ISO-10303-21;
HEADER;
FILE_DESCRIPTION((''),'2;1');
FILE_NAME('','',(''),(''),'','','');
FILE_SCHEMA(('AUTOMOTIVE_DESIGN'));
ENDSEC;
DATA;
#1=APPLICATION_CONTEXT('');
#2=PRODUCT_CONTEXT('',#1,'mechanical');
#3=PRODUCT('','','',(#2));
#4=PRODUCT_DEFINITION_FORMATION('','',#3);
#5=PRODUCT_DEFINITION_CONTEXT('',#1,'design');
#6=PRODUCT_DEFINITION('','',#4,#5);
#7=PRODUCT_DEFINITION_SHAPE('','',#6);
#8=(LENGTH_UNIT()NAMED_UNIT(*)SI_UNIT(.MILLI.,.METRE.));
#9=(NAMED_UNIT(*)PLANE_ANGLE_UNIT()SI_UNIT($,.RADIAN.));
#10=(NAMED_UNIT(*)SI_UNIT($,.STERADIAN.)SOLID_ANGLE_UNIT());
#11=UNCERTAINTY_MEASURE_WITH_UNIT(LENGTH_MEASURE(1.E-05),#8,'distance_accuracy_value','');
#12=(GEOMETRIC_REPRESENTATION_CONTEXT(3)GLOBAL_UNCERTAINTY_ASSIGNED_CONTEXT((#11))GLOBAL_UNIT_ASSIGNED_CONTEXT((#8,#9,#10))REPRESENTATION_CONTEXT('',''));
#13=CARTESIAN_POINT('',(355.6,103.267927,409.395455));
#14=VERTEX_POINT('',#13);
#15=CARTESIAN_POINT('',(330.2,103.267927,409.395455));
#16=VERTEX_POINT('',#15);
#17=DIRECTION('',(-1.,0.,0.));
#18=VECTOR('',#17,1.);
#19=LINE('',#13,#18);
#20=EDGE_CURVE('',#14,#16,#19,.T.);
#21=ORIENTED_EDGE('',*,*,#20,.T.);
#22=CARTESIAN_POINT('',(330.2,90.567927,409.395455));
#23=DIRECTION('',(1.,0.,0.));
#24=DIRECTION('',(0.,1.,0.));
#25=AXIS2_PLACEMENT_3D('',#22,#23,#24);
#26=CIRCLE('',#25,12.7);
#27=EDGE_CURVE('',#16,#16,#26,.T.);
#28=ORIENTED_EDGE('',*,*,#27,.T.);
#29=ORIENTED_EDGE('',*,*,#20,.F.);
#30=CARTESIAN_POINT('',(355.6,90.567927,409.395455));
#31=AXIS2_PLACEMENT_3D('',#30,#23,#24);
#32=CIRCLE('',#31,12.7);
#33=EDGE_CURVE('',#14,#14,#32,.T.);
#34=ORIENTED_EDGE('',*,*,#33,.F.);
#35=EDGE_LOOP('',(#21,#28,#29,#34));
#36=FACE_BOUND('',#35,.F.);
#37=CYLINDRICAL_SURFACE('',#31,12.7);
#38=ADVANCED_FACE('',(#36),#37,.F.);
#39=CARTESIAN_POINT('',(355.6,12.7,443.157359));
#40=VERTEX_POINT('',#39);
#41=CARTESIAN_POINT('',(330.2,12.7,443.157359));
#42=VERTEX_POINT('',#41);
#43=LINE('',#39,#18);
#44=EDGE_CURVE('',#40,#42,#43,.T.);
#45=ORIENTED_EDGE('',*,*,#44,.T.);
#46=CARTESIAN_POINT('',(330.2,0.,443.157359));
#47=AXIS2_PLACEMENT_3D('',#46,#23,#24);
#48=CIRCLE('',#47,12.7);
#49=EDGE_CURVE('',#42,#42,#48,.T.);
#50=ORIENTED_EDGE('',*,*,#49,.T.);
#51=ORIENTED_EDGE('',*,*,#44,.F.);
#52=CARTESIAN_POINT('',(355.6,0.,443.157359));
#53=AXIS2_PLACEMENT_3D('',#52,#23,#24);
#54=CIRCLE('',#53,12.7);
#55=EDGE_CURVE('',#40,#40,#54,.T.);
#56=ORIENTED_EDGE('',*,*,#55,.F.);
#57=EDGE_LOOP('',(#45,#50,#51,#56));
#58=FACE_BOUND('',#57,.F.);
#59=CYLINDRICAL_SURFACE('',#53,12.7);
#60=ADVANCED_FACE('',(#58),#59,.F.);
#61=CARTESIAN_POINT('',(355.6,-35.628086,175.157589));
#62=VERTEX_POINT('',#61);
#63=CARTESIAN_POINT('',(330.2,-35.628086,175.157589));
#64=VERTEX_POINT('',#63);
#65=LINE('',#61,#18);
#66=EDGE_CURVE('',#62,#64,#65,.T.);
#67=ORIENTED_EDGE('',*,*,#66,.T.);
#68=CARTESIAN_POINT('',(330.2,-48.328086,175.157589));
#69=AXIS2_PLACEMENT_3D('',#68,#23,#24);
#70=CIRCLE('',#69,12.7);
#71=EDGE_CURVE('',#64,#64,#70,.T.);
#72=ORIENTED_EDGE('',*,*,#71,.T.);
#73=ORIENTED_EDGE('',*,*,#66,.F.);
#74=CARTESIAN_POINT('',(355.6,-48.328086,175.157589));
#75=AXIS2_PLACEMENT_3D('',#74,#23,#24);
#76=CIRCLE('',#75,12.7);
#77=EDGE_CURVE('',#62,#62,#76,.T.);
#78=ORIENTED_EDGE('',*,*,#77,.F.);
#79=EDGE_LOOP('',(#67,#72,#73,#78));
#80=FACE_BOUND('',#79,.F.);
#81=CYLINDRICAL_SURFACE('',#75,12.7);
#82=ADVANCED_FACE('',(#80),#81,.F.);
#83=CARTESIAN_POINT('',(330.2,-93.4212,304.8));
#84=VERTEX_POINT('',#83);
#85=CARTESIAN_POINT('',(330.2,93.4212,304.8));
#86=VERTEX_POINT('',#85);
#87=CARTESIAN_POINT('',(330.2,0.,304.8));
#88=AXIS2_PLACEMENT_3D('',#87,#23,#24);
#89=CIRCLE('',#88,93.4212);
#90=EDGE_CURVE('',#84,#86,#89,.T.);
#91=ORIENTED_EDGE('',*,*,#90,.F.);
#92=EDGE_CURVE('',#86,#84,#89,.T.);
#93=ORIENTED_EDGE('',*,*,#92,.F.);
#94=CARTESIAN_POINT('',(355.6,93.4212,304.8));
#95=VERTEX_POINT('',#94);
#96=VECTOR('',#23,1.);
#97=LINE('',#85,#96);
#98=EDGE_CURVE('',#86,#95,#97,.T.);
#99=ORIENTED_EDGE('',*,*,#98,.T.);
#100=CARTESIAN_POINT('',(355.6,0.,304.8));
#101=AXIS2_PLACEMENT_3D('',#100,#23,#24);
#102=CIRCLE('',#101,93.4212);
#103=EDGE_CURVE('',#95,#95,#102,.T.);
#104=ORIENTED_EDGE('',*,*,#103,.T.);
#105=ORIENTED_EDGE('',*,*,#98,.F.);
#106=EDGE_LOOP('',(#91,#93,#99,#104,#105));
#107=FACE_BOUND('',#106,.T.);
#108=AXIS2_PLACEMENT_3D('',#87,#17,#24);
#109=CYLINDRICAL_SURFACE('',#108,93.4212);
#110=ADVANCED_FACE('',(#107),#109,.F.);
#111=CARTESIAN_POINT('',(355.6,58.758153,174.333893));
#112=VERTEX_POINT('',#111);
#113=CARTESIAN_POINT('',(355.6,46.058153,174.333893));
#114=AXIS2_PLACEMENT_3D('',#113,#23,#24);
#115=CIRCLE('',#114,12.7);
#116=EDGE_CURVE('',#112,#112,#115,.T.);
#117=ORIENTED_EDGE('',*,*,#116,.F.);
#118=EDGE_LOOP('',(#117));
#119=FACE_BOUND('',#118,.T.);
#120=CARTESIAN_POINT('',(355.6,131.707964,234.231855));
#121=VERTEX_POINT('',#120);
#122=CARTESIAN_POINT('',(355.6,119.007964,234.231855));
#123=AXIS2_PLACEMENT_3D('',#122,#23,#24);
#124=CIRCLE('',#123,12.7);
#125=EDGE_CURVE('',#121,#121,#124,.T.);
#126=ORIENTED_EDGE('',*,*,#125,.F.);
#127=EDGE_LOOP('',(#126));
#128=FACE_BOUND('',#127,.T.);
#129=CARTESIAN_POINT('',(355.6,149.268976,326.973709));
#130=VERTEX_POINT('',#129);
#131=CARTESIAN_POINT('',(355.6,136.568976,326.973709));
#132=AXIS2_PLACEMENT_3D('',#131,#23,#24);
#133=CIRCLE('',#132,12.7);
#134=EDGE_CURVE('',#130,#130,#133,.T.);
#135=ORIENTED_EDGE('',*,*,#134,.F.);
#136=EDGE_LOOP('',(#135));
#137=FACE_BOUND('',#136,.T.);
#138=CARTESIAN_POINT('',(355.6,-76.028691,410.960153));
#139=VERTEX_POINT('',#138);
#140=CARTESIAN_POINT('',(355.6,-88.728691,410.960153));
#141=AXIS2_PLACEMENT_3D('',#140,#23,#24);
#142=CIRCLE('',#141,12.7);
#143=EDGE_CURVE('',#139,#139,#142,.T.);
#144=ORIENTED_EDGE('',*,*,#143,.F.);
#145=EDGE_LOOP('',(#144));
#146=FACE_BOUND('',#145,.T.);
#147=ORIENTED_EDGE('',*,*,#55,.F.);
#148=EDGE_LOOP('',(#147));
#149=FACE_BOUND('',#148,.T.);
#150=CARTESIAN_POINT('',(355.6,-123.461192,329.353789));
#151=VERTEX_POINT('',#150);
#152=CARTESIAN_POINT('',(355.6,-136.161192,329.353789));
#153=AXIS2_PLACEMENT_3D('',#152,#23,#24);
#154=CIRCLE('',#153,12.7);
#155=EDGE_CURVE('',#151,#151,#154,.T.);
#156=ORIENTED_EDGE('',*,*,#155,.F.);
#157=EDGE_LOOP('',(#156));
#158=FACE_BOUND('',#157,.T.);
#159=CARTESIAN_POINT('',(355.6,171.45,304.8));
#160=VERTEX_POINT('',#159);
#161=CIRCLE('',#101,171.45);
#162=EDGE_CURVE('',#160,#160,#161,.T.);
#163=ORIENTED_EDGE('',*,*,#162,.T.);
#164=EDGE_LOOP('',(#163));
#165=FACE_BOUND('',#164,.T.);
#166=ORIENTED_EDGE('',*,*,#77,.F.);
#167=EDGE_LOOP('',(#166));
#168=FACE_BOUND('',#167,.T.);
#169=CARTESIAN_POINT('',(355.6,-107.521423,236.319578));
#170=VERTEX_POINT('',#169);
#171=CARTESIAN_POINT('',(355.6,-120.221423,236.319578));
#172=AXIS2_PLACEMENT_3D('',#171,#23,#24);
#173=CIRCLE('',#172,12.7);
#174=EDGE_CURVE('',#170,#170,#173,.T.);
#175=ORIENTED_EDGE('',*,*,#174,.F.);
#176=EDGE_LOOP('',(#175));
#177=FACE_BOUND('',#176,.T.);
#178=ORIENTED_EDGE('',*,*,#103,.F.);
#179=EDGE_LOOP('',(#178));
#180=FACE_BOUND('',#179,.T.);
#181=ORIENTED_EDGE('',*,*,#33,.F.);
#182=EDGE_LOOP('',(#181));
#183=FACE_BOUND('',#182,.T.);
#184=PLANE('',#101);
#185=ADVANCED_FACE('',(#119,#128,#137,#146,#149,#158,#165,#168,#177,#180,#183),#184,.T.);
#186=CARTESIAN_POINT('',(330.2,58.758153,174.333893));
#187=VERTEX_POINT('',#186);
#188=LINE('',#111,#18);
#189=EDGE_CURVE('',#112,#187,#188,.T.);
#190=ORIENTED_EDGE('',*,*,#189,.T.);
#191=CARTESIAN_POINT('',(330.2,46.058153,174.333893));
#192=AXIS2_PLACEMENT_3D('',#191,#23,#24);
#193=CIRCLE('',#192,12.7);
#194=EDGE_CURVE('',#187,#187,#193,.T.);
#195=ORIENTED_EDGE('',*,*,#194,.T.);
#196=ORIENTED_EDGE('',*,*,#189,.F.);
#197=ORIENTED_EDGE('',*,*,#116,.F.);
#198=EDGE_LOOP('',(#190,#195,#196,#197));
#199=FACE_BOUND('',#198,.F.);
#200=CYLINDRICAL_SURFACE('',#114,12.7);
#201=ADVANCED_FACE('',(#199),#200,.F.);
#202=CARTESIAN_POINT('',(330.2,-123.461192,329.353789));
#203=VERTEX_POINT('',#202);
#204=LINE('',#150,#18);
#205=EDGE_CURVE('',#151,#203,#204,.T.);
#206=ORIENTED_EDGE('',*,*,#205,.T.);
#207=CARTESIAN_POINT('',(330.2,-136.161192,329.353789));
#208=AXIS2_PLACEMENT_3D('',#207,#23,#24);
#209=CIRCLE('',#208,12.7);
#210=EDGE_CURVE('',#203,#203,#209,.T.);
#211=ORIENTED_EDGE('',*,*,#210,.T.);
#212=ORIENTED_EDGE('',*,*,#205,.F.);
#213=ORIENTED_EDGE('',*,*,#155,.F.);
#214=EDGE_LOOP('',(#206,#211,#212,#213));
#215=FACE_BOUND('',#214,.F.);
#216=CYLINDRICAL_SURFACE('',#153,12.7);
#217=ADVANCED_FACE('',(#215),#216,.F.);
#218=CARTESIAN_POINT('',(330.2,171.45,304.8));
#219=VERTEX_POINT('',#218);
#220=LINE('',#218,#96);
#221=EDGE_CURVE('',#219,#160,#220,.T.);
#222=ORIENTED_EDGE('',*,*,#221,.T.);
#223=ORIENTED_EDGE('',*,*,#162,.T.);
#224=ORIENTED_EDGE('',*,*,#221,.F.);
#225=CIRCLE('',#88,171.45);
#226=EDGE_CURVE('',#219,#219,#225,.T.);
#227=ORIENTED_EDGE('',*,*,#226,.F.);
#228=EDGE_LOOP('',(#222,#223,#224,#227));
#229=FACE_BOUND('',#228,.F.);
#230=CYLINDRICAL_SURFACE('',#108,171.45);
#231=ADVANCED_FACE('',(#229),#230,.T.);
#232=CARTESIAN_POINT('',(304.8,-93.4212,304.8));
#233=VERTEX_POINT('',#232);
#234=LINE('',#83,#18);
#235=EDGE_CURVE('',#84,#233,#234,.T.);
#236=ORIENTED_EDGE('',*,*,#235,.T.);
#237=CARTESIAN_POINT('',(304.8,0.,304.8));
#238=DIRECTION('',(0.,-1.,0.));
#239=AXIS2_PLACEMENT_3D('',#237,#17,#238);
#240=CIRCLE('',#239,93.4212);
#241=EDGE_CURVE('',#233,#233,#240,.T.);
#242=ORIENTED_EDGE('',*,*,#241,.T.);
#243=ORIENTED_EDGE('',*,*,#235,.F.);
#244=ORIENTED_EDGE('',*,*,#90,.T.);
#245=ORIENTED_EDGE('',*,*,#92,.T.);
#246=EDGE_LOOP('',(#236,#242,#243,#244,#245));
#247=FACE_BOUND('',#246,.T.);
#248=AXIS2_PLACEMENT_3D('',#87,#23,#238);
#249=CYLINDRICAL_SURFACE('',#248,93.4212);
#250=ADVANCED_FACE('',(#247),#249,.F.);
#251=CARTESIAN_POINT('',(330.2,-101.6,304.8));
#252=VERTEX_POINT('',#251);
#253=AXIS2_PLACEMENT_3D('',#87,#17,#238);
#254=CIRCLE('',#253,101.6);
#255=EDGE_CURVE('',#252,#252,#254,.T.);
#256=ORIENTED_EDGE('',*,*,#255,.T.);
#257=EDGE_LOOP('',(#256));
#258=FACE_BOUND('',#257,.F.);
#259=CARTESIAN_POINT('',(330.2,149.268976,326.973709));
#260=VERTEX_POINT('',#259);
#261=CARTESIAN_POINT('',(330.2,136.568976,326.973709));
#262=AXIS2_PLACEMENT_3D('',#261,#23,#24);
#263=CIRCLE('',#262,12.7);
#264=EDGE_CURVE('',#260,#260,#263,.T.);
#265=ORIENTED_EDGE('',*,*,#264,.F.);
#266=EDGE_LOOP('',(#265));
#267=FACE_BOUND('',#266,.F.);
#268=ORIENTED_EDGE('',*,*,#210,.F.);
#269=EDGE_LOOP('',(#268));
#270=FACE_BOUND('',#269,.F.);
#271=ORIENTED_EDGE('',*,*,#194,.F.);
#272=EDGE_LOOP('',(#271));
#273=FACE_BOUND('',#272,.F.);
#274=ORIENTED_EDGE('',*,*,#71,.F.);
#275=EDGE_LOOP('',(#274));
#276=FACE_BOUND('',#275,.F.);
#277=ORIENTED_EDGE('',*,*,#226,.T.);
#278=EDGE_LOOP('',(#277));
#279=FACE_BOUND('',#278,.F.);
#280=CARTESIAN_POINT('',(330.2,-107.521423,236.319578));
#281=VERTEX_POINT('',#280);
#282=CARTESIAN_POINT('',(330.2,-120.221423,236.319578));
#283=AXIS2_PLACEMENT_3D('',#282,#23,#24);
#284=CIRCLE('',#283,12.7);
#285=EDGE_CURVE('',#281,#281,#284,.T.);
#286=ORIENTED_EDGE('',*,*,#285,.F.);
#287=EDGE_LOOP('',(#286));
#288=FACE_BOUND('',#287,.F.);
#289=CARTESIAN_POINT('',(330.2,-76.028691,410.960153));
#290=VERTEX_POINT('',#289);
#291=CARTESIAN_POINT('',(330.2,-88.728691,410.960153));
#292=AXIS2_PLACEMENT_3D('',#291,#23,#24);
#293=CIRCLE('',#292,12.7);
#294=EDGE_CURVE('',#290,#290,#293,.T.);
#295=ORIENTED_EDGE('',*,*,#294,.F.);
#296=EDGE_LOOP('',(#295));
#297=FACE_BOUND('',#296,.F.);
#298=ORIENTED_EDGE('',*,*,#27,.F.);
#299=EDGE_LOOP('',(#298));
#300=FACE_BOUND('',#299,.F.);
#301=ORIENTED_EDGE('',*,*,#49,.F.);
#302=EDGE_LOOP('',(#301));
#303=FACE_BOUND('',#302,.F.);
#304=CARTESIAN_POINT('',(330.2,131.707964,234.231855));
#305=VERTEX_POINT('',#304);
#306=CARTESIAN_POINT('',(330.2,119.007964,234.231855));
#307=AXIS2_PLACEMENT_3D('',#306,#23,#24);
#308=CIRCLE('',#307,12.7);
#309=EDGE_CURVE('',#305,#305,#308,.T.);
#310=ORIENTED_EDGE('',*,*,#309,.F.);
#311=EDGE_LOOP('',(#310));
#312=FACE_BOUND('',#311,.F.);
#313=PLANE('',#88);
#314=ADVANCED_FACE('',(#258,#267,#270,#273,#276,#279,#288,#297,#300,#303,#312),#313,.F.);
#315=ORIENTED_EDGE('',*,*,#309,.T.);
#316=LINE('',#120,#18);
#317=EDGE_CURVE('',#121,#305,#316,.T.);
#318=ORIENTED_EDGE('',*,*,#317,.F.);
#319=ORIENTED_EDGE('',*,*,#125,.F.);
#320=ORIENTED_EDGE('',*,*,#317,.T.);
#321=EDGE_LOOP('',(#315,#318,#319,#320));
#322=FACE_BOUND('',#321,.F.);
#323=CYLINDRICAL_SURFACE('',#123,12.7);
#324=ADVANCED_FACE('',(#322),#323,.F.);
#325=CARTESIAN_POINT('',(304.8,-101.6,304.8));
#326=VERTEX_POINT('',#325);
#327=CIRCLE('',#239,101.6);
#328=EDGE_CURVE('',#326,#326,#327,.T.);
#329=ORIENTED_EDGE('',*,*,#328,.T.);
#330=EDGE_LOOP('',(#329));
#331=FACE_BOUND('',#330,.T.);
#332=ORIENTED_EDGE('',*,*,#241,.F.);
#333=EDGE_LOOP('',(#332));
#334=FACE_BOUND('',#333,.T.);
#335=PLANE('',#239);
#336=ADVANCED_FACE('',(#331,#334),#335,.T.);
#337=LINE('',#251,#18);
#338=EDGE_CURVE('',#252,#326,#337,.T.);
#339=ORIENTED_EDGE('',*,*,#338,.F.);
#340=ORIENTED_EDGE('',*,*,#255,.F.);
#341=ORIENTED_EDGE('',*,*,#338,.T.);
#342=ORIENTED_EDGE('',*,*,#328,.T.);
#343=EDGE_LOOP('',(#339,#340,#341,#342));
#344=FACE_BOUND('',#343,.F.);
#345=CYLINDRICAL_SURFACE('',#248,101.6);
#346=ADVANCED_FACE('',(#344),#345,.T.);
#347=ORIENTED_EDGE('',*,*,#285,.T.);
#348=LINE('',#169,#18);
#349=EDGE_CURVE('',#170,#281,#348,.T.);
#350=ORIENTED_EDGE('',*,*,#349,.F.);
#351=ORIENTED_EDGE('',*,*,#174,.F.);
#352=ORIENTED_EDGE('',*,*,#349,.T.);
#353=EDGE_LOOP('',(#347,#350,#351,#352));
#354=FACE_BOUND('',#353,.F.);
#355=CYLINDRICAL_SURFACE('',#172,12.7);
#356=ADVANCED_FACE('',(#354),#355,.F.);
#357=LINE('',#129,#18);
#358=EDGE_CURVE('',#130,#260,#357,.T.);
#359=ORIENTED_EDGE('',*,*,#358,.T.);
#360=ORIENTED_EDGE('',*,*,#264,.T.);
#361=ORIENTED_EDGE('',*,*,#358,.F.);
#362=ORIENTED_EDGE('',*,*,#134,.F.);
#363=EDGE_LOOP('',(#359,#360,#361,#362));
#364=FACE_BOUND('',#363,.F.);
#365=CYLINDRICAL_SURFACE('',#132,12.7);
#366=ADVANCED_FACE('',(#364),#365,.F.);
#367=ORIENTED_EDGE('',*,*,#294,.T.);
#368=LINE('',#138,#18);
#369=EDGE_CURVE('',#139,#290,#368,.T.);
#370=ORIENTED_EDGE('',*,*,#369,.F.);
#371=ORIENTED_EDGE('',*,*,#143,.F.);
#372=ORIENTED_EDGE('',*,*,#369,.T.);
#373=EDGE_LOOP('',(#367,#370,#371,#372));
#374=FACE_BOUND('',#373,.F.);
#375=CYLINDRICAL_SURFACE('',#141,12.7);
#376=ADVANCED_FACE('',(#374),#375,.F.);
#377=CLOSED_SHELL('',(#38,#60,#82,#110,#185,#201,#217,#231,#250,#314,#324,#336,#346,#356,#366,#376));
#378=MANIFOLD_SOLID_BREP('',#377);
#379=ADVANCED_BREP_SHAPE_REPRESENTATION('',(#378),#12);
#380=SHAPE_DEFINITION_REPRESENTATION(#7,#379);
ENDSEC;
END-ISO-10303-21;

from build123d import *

# Parameters (mm, degrees)
F0_R      = 101.6
F0_R_2    = 93.4212
F3_DEPTH  = 25.4
F4_R      = 171.45
F4_R_2    = 93.4212
F5_DEPTH  = 25.4
F6_SIZE   = 5.08
F7_R      = 12.7
F8_DEPTH  = 457.1692501
F10_R     = 101.6
F10_R_2   = 93.4212
F11_DEPTH = 25.4


with BuildPart() as f2:
    # F2: sweep along a path in F1
    with BuildLine(Plane.XZ) as f2_path:
        ThreePointArc((0, 0), (89.2738530943, 215.5261469057), (304.8, 304.8))
    # F0 (on Top) → F2 (sweep)
    with BuildSketch(Plane.XY):
        Circle(F0_R)
        Circle(F0_R_2, mode=Mode.SUBTRACT)
    sweep(path=f2_path.line)

    # F3 (add): a face of the model
    f3_faces = [f2.faces().sort_by_distance(p)[0] for p in [
        (304.8, 0, 403.5263180413),
    ]]
    extrude(f3_faces, amount=F3_DEPTH)

    # F6
    f6_edges = [f2.edges().sort_by_distance(p)[0] for p in [
        (-101.6, 0, 0),
    ]]
    chamfer(f6_edges, length=F6_SIZE)


with BuildPart() as f5:
    # F4 (on face) → F5 (new body)
    with BuildSketch(Plane.YZ.offset(330.2)):
        with Locations((0, 304.8)):
            Circle(F4_R)
        with Locations((0, 304.8)):
            Circle(F4_R_2, mode=Mode.SUBTRACT)
    extrude(amount=F5_DEPTH)


with BuildPart() as f8_tool:
    # F7 (on face) → F8 (new body, through all)
    with BuildSketch(Plane.YZ.offset(355.6)):
        with Locations((-88.7286911595, 410.9601527047)):
            Circle(F7_R)
        with Locations((0, 443.1573585219)):
            Circle(F7_R)
        with Locations((90.5679274826, 409.3954548185)):
            Circle(F7_R)
        with Locations((136.5689763149, 326.9737088793)):
            Circle(F7_R)
        with Locations((119.0079640377, 234.2318545463)):
            Circle(F7_R)
        with Locations((46.0581534638, 174.3338926898)):
            Circle(F7_R)
        with Locations((-48.328086115, 175.1575889239)):
            Circle(F7_R)
        with Locations((-120.2214225043, 236.3195777744)):
            Circle(F7_R)
        with Locations((-136.1611916187, 329.3537889975)):
            Circle(F7_R)
    extrude(amount=-F8_DEPTH)


with BuildPart() as f2_1:
    add(f2.part)

    # F8: cut by f8_tool
    add(f8_tool.part, mode=Mode.SUBTRACT)


with BuildPart() as f5_1:
    add(f5.part)

    # F8: cut by f8_tool
    add(f8_tool.part, mode=Mode.SUBTRACT)

    # F10 (on face) → F11 (join)
    with BuildSketch(Plane(origin=(330.2, 0, 0), x_dir=(0, -1, 0), z_dir=(-1, 0, 0))):
        with Locations((0, 304.8)):
            Circle(F10_R)
        with Locations((0, 304.8)):
            Circle(F10_R_2, mode=Mode.SUBTRACT)
    extrude(amount=F11_DEPTH)


solid = f5_1.part
